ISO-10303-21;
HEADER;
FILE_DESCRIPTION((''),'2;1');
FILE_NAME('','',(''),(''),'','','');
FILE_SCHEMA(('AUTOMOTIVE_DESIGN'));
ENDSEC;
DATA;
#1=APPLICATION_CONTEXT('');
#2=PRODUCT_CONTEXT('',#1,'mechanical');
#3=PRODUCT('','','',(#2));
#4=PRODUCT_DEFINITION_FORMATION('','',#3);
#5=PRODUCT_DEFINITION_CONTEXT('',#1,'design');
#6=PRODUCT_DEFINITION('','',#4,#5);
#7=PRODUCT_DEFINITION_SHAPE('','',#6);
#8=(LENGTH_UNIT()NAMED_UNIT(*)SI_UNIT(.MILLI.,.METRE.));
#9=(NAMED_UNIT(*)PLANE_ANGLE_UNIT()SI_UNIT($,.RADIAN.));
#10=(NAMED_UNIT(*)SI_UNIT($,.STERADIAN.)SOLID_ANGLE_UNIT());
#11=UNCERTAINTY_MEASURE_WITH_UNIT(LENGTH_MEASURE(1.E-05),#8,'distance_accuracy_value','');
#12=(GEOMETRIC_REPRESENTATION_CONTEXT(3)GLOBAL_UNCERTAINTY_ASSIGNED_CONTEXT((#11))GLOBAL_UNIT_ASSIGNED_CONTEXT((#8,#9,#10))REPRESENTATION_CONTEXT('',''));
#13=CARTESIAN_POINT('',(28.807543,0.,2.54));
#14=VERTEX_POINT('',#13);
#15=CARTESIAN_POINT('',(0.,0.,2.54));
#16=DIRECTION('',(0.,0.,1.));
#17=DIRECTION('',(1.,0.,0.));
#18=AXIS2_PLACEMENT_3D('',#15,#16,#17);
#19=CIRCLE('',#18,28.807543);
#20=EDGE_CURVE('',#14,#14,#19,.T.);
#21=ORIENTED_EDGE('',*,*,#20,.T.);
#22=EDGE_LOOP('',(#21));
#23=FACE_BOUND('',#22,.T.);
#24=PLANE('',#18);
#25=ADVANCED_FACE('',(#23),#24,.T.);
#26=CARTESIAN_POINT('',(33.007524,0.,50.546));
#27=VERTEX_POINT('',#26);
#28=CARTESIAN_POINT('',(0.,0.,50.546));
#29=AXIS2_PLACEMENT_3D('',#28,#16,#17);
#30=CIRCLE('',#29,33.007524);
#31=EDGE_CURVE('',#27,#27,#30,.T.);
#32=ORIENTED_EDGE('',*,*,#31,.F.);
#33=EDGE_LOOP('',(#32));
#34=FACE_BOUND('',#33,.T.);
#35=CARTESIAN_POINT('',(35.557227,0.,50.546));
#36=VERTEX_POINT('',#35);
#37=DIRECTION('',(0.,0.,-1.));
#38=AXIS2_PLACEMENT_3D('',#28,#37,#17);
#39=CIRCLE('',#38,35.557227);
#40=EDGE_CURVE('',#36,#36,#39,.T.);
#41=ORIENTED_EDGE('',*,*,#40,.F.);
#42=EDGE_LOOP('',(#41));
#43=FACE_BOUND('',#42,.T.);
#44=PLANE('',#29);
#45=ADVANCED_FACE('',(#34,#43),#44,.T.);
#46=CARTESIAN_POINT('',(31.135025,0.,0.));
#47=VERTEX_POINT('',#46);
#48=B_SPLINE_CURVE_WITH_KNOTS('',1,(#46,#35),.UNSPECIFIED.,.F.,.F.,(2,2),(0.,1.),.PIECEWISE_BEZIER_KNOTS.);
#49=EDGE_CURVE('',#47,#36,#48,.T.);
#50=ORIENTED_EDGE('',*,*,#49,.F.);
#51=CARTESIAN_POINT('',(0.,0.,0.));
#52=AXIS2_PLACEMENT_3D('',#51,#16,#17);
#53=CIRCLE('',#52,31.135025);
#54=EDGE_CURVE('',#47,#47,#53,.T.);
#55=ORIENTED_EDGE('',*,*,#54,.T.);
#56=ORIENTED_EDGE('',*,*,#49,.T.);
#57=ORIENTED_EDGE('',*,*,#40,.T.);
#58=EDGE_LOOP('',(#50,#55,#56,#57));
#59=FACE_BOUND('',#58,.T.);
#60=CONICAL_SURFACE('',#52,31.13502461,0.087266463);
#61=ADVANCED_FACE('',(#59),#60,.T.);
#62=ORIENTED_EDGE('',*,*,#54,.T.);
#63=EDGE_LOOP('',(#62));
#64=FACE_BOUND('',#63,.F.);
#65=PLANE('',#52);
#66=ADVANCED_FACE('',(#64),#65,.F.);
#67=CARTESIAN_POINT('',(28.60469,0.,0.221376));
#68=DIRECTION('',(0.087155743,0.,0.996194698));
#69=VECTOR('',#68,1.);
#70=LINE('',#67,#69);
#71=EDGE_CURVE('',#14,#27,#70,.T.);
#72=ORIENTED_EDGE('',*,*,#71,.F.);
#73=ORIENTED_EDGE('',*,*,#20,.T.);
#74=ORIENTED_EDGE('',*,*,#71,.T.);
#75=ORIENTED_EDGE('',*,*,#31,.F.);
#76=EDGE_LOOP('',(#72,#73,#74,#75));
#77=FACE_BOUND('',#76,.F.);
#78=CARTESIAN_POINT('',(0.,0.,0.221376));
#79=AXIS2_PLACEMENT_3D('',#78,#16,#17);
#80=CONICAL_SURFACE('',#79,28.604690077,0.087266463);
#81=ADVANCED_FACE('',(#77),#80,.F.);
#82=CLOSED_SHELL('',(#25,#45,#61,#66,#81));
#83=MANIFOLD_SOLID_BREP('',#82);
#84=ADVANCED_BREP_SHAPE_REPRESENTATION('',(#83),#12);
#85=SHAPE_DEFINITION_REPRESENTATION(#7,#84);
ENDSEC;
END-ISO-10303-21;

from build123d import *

# Parameters (mm, degrees)
F0_R     = 31.1350246104
F1_DEPTH = 50.546
F1_TAPER = -5
F2_T     = -2.54


with BuildPart() as f1:
    # F0 (on Top) → F1 (new body)
    with BuildSketch(Plane.XY):
        Circle(F0_R)
    extrude(amount=F1_DEPTH, taper=F1_TAPER)

    # F2
    f2_openings = [f1.faces().sort_by_distance(p)[0] for p in [
        (0, 0, 50.546),
    ]]
    offset(amount=F2_T, openings=f2_openings, kind=Kind.INTERSECTION)


solid = f1.part
